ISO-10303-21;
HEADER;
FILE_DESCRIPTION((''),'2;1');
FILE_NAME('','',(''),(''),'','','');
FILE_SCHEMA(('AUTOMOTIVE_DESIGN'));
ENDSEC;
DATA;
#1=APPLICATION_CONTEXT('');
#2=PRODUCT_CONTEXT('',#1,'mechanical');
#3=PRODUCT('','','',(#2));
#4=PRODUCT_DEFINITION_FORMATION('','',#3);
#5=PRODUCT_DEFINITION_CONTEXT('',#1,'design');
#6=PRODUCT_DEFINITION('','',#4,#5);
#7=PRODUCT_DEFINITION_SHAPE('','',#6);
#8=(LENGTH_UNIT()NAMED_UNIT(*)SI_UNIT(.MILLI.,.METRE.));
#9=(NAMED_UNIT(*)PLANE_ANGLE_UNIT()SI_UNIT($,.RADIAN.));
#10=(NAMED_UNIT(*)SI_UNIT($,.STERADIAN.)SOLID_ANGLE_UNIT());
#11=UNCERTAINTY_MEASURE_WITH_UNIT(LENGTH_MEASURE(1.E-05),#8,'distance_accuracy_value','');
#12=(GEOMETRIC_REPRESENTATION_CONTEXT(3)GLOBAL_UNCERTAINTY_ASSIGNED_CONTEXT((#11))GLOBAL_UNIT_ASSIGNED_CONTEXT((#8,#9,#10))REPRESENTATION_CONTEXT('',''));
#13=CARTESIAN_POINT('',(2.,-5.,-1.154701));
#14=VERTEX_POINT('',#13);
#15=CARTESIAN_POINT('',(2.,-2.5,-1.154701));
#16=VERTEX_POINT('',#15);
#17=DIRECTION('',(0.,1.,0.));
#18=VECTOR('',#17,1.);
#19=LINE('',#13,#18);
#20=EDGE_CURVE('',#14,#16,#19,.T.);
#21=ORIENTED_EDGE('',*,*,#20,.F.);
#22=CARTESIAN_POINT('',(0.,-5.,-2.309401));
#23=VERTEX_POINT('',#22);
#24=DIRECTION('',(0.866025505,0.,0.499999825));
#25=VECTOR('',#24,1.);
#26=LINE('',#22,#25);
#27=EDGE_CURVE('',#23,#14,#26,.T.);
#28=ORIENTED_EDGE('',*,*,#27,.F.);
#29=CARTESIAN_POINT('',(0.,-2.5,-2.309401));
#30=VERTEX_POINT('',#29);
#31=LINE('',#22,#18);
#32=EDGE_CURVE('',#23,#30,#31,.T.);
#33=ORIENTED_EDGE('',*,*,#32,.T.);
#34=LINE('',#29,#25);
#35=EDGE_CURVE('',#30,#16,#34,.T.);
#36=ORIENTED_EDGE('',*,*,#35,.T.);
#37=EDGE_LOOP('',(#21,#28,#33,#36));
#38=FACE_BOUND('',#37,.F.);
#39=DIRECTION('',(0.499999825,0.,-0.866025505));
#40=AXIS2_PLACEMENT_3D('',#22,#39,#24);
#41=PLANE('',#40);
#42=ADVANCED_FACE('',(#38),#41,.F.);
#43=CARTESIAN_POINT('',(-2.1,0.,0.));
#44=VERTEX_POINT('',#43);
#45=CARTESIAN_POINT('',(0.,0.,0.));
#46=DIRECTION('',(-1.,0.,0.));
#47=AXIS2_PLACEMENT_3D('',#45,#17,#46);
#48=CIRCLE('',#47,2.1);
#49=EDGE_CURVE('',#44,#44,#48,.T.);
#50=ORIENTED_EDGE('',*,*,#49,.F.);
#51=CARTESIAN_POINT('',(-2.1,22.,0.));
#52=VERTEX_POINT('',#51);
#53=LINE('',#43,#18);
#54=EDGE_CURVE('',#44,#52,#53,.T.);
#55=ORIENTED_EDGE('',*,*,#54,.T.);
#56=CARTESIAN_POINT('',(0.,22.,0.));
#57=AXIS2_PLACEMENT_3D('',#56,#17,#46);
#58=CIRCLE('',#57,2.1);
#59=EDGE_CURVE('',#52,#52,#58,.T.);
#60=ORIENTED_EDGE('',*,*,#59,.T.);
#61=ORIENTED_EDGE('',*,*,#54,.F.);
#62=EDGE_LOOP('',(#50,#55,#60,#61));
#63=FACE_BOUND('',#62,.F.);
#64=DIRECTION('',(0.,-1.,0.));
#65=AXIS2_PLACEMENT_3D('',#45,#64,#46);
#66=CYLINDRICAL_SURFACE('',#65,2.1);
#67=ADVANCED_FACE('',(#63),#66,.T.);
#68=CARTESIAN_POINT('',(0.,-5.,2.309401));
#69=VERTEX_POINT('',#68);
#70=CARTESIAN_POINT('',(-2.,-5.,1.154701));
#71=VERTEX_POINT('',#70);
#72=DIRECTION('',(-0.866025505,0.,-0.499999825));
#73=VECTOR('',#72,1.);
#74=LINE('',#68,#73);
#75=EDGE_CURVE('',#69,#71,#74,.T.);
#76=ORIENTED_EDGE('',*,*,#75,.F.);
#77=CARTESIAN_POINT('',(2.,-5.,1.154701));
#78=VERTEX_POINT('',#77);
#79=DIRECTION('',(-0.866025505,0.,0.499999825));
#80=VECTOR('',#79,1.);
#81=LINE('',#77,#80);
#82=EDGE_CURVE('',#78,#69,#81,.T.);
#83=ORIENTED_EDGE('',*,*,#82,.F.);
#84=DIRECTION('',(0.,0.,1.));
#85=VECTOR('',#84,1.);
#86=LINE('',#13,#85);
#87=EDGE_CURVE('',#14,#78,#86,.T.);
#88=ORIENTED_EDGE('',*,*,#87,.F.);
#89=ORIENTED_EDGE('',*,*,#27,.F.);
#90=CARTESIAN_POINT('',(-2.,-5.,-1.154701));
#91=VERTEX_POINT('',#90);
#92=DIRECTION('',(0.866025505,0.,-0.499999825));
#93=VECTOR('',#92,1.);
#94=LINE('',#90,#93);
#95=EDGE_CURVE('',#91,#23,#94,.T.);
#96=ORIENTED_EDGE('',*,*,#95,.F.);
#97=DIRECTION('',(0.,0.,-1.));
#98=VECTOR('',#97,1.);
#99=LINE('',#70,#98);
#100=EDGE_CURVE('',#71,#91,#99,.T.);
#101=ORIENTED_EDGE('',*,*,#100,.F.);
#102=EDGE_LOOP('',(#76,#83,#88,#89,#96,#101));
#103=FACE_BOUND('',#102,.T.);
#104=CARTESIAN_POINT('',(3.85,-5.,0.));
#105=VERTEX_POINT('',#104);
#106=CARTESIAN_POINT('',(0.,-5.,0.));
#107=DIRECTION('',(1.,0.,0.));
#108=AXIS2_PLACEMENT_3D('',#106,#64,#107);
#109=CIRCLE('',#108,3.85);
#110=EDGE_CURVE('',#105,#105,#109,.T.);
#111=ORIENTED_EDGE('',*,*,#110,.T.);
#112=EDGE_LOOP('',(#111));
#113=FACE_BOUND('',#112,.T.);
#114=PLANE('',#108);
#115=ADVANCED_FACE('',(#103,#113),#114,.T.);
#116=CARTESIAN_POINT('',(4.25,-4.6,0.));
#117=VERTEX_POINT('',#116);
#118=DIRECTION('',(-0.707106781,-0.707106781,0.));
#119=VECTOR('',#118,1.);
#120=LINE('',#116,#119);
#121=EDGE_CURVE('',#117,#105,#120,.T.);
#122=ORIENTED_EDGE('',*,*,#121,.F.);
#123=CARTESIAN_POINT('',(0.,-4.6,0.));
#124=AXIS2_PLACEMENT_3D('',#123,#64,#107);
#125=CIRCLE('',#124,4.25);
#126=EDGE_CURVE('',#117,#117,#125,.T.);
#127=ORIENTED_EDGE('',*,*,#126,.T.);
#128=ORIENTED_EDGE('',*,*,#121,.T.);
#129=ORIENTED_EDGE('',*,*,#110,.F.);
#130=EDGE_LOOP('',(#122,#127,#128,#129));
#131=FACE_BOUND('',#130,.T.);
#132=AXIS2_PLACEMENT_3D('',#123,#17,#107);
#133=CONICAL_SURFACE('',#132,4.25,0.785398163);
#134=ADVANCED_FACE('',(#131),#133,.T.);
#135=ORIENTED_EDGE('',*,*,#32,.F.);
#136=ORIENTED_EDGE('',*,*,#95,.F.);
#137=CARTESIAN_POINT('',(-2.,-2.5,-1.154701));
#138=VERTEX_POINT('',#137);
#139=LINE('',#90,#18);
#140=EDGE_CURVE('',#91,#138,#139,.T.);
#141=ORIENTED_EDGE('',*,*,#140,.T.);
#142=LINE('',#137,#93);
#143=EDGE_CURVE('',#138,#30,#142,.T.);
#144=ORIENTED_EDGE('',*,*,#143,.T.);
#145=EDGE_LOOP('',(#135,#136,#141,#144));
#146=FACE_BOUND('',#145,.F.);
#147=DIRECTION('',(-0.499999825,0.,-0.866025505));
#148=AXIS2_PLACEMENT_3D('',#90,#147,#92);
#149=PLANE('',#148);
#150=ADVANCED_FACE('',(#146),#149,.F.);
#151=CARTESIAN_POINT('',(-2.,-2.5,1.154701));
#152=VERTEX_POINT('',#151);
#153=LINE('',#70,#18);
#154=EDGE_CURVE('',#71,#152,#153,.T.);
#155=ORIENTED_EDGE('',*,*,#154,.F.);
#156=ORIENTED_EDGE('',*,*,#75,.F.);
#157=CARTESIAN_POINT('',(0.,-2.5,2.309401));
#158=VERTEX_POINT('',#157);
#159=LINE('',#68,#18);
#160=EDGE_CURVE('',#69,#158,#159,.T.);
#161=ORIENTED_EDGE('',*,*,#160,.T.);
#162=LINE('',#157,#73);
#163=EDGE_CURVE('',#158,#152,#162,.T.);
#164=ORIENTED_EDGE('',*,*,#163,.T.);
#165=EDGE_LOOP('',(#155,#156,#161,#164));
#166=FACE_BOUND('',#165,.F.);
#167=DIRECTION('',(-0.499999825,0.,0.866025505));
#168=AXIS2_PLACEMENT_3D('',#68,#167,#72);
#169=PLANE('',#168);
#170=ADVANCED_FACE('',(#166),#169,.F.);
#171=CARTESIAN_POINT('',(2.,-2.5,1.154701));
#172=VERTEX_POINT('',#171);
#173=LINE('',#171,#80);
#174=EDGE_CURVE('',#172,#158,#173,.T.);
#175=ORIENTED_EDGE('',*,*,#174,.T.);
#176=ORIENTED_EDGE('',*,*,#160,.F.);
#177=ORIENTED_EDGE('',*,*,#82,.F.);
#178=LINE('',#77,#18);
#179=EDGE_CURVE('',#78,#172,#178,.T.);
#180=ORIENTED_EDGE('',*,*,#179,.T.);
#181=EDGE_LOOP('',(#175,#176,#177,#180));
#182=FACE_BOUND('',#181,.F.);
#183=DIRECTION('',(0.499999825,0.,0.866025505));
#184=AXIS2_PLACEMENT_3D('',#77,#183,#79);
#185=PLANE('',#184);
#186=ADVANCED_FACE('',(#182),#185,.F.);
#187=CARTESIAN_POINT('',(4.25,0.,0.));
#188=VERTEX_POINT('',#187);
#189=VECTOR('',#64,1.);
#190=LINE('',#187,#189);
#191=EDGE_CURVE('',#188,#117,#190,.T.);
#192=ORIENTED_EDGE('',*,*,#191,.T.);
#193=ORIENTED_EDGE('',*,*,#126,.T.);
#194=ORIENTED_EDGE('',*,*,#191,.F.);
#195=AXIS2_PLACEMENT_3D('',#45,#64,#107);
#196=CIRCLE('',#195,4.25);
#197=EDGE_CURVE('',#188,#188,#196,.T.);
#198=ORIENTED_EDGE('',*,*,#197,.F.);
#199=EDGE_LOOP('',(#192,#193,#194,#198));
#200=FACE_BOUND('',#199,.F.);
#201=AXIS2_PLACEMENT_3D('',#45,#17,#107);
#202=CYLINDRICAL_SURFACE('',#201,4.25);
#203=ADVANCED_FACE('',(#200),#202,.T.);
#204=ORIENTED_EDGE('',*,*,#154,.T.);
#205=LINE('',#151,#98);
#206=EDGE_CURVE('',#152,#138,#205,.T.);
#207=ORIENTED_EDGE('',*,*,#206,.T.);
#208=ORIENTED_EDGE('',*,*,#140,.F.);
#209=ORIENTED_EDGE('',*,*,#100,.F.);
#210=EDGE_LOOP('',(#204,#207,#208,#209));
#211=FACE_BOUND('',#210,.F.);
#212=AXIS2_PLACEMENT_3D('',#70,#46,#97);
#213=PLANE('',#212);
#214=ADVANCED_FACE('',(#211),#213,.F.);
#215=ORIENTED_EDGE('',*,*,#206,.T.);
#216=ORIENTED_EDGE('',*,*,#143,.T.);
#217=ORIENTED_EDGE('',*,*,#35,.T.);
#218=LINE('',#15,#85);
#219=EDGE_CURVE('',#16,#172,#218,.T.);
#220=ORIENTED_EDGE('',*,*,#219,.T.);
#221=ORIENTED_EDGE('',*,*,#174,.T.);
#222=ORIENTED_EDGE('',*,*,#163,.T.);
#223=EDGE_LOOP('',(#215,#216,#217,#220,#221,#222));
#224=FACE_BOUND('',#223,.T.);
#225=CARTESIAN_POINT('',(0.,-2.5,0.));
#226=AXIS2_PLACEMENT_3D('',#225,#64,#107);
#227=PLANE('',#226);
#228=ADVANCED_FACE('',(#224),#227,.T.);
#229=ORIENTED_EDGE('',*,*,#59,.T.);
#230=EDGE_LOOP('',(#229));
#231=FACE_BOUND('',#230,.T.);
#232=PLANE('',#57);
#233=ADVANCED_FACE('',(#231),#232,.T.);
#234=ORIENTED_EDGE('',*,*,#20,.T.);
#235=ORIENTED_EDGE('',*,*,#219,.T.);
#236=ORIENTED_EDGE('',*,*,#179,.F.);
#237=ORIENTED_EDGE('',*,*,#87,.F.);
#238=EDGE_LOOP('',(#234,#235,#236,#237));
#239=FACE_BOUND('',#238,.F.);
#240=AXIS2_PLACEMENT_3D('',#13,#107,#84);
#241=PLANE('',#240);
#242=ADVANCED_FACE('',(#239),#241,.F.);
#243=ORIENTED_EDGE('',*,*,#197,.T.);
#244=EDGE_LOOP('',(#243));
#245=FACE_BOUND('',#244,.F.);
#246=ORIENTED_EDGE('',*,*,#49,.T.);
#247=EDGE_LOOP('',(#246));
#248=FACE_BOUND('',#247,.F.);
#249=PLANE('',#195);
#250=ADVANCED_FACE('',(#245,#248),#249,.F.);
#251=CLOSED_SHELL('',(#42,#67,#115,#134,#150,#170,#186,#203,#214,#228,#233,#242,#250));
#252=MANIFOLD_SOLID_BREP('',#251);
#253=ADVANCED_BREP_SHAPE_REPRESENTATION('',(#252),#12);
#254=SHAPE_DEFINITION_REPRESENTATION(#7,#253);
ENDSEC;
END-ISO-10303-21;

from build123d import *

# Parameters (mm, degrees)
F0_R     = 4.25
F1_DEPTH = 5
F2_R     = 2.1
F3_DEPTH = 22
F5_DEPTH = 2.5
F6_SIZE  = 0.4


with BuildPart() as f1:
    # F0 (on Front) → F1 (new body)
    with BuildSketch(Plane.XZ):
        Circle(F0_R)
    extrude(amount=F1_DEPTH)

    # F2 (on face) → F3 (join)
    with BuildSketch(Plane(origin=(0, 0, 0), x_dir=(-1, 0, 0), z_dir=(0, 1, 0))):
        Circle(F2_R)
    extrude(amount=F3_DEPTH)

    # F4 (on face) → F5 (cut)
    with BuildSketch(Plane.XZ.offset(5)):
        Polygon((0, -2.309401), (2, -1.154701), (2, 1.154701), (0, 2.309401), (-2, 1.154701), (-2, -1.154701), align=None)
    extrude(amount=-F5_DEPTH, mode=Mode.SUBTRACT)

    # F6
    f6_edges = [f1.edges().sort_by_distance(p)[0] for p in [
        (-4.25, -5, 0),
    ]]
    chamfer(f6_edges, length=F6_SIZE)


solid = f1.part
